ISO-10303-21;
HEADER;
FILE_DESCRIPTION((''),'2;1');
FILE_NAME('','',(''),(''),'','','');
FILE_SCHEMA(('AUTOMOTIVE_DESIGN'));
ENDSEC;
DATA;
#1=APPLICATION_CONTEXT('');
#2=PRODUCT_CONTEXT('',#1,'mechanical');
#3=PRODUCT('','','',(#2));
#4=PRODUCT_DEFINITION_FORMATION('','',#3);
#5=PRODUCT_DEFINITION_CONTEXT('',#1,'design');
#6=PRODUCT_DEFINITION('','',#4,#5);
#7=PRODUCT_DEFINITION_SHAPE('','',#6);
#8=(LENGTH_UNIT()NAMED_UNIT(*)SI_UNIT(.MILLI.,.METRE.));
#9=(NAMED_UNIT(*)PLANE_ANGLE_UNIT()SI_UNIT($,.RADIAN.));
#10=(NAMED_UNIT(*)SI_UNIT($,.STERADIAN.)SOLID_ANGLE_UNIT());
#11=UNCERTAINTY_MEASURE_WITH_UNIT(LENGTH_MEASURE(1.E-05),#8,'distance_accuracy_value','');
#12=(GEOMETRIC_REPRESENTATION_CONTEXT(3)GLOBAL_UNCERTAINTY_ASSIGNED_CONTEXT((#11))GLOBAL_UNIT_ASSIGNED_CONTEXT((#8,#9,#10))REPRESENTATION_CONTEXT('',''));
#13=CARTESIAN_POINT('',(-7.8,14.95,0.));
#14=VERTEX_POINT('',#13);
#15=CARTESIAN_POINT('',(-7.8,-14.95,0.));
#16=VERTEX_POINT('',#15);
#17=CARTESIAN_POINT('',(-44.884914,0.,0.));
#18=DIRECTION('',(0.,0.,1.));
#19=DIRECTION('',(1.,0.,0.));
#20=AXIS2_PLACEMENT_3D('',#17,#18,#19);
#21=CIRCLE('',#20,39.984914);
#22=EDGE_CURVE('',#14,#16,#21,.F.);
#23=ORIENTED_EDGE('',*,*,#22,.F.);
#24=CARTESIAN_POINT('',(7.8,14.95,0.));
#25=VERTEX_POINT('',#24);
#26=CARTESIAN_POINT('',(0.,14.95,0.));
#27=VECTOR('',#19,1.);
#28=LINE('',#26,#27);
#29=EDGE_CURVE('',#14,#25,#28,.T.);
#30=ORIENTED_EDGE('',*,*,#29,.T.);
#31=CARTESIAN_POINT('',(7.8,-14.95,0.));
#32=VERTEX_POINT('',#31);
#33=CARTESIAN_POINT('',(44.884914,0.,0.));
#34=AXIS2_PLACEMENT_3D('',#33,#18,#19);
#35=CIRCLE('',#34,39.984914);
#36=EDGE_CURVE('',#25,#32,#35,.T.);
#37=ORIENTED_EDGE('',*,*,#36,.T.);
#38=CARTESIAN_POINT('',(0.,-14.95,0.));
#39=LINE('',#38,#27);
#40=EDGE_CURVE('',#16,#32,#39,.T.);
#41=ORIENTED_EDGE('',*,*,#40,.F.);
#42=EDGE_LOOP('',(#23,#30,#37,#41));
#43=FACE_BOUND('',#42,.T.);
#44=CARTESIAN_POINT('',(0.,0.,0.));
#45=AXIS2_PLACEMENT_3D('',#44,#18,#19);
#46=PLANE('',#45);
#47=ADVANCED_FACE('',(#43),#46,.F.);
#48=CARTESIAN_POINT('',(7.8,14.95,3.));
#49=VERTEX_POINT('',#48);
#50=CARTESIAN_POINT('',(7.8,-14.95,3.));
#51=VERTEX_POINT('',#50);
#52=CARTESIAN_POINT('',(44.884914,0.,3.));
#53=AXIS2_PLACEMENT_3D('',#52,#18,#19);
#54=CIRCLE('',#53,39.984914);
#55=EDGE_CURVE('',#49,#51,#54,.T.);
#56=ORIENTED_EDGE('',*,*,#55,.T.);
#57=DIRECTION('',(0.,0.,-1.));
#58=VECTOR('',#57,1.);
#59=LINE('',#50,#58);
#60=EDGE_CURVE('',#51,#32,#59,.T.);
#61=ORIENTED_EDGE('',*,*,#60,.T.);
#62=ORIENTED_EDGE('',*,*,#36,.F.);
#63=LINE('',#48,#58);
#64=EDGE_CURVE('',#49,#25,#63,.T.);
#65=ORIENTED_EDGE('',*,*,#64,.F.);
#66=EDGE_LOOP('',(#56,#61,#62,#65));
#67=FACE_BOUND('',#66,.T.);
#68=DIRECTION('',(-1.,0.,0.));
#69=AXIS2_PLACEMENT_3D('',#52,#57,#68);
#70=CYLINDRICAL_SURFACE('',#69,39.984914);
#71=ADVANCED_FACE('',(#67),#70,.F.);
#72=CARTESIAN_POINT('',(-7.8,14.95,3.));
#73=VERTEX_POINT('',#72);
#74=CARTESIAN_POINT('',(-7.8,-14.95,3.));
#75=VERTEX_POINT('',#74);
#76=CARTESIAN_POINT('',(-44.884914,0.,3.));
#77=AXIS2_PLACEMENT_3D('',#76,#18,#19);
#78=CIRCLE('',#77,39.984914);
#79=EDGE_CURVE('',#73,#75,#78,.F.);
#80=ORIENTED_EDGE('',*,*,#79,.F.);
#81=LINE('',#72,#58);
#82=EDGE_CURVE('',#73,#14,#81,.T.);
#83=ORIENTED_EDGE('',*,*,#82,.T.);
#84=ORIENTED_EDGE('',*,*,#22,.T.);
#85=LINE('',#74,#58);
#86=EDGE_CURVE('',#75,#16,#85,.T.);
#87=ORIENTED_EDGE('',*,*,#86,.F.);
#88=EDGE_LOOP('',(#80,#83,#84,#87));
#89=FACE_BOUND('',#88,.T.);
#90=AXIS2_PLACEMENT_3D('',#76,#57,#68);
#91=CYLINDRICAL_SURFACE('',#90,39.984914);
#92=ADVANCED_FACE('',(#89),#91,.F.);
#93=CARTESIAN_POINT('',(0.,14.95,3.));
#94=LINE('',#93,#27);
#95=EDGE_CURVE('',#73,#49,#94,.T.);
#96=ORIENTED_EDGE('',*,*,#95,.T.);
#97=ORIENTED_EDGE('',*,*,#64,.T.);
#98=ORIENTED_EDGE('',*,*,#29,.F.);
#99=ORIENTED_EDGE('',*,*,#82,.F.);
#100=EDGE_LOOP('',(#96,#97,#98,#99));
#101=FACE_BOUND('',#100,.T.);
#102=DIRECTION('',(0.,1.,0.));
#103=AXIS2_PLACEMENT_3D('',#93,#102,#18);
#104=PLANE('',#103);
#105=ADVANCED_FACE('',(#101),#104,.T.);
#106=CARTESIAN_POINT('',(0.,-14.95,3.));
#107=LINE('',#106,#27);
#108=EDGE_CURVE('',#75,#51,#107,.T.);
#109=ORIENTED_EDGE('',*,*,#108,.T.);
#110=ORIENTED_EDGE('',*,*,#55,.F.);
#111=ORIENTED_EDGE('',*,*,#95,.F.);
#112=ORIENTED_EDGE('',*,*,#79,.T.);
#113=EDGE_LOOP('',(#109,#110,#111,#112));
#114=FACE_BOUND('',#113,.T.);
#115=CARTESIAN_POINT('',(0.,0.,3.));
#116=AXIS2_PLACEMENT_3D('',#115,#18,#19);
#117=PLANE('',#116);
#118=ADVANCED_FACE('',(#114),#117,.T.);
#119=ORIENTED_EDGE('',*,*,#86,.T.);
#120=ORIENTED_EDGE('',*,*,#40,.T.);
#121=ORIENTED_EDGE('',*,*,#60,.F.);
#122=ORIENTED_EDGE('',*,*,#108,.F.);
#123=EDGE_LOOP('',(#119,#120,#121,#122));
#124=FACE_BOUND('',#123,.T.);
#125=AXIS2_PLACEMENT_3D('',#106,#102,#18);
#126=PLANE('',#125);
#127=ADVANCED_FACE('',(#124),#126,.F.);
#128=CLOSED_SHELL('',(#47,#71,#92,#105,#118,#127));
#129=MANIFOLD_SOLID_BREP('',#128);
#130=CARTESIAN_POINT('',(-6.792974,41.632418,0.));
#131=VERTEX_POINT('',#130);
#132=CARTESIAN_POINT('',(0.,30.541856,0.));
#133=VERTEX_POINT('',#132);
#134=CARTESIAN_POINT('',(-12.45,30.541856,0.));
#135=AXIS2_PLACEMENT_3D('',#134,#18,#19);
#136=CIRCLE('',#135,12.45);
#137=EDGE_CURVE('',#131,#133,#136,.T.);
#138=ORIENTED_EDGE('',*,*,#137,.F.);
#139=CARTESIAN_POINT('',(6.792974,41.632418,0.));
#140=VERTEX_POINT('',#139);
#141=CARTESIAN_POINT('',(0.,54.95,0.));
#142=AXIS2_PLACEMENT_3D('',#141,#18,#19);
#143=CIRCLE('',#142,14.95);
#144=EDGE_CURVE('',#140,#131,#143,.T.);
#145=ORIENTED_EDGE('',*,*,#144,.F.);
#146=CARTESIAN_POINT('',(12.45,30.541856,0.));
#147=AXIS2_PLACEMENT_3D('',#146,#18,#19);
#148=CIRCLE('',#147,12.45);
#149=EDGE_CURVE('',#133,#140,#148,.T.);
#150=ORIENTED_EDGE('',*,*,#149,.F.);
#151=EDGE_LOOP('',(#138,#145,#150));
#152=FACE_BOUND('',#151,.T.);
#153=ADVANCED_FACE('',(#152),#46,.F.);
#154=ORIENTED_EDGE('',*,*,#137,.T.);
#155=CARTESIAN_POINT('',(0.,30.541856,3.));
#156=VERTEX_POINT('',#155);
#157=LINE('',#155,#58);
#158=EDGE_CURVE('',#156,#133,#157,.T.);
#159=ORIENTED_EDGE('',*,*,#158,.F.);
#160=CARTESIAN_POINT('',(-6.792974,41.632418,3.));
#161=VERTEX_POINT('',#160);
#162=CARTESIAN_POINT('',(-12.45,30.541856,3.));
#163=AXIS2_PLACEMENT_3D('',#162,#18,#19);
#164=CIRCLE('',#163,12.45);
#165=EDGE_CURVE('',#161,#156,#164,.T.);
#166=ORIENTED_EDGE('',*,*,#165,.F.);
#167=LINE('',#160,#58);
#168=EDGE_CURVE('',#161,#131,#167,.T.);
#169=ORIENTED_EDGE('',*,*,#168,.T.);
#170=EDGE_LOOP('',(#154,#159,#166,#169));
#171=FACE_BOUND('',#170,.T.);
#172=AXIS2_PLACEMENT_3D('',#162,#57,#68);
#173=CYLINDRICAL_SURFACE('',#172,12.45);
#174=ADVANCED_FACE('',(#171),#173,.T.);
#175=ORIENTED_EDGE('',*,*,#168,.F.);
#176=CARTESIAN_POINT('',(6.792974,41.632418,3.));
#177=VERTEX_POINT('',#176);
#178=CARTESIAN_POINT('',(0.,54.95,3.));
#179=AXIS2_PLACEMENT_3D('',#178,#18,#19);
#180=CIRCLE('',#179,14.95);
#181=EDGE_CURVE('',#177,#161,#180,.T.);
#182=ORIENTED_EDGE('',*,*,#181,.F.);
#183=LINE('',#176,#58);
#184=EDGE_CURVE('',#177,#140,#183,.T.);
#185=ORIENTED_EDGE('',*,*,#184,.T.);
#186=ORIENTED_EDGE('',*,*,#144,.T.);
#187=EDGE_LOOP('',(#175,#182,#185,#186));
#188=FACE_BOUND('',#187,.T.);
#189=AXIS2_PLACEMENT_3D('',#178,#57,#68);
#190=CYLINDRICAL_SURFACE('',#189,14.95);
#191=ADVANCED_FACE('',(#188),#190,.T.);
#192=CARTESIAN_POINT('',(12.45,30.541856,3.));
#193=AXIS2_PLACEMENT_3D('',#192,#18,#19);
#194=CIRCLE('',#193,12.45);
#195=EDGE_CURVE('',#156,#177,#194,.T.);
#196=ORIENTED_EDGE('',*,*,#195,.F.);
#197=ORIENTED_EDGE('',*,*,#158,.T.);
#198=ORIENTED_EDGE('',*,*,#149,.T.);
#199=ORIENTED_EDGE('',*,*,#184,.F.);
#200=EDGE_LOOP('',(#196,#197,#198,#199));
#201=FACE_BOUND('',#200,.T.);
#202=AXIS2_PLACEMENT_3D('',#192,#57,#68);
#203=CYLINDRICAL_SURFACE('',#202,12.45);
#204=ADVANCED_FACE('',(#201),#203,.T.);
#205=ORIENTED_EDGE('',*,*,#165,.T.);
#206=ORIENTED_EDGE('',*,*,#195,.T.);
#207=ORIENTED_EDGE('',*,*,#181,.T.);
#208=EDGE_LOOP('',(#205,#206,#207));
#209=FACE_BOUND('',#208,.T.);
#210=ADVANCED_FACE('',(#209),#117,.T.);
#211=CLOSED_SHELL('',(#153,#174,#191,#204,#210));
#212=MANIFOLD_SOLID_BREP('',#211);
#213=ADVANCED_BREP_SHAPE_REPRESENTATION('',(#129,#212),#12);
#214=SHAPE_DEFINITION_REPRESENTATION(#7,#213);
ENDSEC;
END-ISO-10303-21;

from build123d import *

# Parameters (mm, degrees)
BOSS_EXTRUDE2_DEPTH   = 3
BOSS_EXTRUDE2_2_DEPTH = 3


with BuildPart() as part:
    # Sketch1 → Boss-Extrude2 (new body)
    with BuildSketch(Plane.XY):
        with BuildLine():
            Line((7.8, 14.95), (-7.8, 14.95))
            ThreePointArc((-7.8, 14.95), (-4.9, 0), (-7.8, -14.95))
            Line((-7.8, -14.95), (7.8, -14.95))
            ThreePointArc((7.8, -14.95), (4.9, 0), (7.8, 14.95))
        make_face()
    extrude(amount=BOSS_EXTRUDE2_DEPTH)


with BuildPart() as body_2:
    # Sketch1 → Boss-Extrude2 2 (new body)
    with BuildSketch(Plane.XY):
        with BuildLine():
            ThreePointArc((6.792974735, 41.632417853), (0, 69.9), (-6.792974735, 41.632417853))
            ThreePointArc((-6.792974735, 41.632417853), (-23.066790112, 24.039066641), (0, 30.541855867))
            ThreePointArc((0, 30.541855867), (23.066790112, 24.039066641), (6.792974735, 41.632417853))
        make_face()
    extrude(amount=BOSS_EXTRUDE2_2_DEPTH)


solid = Compound([part.part, body_2.part])
